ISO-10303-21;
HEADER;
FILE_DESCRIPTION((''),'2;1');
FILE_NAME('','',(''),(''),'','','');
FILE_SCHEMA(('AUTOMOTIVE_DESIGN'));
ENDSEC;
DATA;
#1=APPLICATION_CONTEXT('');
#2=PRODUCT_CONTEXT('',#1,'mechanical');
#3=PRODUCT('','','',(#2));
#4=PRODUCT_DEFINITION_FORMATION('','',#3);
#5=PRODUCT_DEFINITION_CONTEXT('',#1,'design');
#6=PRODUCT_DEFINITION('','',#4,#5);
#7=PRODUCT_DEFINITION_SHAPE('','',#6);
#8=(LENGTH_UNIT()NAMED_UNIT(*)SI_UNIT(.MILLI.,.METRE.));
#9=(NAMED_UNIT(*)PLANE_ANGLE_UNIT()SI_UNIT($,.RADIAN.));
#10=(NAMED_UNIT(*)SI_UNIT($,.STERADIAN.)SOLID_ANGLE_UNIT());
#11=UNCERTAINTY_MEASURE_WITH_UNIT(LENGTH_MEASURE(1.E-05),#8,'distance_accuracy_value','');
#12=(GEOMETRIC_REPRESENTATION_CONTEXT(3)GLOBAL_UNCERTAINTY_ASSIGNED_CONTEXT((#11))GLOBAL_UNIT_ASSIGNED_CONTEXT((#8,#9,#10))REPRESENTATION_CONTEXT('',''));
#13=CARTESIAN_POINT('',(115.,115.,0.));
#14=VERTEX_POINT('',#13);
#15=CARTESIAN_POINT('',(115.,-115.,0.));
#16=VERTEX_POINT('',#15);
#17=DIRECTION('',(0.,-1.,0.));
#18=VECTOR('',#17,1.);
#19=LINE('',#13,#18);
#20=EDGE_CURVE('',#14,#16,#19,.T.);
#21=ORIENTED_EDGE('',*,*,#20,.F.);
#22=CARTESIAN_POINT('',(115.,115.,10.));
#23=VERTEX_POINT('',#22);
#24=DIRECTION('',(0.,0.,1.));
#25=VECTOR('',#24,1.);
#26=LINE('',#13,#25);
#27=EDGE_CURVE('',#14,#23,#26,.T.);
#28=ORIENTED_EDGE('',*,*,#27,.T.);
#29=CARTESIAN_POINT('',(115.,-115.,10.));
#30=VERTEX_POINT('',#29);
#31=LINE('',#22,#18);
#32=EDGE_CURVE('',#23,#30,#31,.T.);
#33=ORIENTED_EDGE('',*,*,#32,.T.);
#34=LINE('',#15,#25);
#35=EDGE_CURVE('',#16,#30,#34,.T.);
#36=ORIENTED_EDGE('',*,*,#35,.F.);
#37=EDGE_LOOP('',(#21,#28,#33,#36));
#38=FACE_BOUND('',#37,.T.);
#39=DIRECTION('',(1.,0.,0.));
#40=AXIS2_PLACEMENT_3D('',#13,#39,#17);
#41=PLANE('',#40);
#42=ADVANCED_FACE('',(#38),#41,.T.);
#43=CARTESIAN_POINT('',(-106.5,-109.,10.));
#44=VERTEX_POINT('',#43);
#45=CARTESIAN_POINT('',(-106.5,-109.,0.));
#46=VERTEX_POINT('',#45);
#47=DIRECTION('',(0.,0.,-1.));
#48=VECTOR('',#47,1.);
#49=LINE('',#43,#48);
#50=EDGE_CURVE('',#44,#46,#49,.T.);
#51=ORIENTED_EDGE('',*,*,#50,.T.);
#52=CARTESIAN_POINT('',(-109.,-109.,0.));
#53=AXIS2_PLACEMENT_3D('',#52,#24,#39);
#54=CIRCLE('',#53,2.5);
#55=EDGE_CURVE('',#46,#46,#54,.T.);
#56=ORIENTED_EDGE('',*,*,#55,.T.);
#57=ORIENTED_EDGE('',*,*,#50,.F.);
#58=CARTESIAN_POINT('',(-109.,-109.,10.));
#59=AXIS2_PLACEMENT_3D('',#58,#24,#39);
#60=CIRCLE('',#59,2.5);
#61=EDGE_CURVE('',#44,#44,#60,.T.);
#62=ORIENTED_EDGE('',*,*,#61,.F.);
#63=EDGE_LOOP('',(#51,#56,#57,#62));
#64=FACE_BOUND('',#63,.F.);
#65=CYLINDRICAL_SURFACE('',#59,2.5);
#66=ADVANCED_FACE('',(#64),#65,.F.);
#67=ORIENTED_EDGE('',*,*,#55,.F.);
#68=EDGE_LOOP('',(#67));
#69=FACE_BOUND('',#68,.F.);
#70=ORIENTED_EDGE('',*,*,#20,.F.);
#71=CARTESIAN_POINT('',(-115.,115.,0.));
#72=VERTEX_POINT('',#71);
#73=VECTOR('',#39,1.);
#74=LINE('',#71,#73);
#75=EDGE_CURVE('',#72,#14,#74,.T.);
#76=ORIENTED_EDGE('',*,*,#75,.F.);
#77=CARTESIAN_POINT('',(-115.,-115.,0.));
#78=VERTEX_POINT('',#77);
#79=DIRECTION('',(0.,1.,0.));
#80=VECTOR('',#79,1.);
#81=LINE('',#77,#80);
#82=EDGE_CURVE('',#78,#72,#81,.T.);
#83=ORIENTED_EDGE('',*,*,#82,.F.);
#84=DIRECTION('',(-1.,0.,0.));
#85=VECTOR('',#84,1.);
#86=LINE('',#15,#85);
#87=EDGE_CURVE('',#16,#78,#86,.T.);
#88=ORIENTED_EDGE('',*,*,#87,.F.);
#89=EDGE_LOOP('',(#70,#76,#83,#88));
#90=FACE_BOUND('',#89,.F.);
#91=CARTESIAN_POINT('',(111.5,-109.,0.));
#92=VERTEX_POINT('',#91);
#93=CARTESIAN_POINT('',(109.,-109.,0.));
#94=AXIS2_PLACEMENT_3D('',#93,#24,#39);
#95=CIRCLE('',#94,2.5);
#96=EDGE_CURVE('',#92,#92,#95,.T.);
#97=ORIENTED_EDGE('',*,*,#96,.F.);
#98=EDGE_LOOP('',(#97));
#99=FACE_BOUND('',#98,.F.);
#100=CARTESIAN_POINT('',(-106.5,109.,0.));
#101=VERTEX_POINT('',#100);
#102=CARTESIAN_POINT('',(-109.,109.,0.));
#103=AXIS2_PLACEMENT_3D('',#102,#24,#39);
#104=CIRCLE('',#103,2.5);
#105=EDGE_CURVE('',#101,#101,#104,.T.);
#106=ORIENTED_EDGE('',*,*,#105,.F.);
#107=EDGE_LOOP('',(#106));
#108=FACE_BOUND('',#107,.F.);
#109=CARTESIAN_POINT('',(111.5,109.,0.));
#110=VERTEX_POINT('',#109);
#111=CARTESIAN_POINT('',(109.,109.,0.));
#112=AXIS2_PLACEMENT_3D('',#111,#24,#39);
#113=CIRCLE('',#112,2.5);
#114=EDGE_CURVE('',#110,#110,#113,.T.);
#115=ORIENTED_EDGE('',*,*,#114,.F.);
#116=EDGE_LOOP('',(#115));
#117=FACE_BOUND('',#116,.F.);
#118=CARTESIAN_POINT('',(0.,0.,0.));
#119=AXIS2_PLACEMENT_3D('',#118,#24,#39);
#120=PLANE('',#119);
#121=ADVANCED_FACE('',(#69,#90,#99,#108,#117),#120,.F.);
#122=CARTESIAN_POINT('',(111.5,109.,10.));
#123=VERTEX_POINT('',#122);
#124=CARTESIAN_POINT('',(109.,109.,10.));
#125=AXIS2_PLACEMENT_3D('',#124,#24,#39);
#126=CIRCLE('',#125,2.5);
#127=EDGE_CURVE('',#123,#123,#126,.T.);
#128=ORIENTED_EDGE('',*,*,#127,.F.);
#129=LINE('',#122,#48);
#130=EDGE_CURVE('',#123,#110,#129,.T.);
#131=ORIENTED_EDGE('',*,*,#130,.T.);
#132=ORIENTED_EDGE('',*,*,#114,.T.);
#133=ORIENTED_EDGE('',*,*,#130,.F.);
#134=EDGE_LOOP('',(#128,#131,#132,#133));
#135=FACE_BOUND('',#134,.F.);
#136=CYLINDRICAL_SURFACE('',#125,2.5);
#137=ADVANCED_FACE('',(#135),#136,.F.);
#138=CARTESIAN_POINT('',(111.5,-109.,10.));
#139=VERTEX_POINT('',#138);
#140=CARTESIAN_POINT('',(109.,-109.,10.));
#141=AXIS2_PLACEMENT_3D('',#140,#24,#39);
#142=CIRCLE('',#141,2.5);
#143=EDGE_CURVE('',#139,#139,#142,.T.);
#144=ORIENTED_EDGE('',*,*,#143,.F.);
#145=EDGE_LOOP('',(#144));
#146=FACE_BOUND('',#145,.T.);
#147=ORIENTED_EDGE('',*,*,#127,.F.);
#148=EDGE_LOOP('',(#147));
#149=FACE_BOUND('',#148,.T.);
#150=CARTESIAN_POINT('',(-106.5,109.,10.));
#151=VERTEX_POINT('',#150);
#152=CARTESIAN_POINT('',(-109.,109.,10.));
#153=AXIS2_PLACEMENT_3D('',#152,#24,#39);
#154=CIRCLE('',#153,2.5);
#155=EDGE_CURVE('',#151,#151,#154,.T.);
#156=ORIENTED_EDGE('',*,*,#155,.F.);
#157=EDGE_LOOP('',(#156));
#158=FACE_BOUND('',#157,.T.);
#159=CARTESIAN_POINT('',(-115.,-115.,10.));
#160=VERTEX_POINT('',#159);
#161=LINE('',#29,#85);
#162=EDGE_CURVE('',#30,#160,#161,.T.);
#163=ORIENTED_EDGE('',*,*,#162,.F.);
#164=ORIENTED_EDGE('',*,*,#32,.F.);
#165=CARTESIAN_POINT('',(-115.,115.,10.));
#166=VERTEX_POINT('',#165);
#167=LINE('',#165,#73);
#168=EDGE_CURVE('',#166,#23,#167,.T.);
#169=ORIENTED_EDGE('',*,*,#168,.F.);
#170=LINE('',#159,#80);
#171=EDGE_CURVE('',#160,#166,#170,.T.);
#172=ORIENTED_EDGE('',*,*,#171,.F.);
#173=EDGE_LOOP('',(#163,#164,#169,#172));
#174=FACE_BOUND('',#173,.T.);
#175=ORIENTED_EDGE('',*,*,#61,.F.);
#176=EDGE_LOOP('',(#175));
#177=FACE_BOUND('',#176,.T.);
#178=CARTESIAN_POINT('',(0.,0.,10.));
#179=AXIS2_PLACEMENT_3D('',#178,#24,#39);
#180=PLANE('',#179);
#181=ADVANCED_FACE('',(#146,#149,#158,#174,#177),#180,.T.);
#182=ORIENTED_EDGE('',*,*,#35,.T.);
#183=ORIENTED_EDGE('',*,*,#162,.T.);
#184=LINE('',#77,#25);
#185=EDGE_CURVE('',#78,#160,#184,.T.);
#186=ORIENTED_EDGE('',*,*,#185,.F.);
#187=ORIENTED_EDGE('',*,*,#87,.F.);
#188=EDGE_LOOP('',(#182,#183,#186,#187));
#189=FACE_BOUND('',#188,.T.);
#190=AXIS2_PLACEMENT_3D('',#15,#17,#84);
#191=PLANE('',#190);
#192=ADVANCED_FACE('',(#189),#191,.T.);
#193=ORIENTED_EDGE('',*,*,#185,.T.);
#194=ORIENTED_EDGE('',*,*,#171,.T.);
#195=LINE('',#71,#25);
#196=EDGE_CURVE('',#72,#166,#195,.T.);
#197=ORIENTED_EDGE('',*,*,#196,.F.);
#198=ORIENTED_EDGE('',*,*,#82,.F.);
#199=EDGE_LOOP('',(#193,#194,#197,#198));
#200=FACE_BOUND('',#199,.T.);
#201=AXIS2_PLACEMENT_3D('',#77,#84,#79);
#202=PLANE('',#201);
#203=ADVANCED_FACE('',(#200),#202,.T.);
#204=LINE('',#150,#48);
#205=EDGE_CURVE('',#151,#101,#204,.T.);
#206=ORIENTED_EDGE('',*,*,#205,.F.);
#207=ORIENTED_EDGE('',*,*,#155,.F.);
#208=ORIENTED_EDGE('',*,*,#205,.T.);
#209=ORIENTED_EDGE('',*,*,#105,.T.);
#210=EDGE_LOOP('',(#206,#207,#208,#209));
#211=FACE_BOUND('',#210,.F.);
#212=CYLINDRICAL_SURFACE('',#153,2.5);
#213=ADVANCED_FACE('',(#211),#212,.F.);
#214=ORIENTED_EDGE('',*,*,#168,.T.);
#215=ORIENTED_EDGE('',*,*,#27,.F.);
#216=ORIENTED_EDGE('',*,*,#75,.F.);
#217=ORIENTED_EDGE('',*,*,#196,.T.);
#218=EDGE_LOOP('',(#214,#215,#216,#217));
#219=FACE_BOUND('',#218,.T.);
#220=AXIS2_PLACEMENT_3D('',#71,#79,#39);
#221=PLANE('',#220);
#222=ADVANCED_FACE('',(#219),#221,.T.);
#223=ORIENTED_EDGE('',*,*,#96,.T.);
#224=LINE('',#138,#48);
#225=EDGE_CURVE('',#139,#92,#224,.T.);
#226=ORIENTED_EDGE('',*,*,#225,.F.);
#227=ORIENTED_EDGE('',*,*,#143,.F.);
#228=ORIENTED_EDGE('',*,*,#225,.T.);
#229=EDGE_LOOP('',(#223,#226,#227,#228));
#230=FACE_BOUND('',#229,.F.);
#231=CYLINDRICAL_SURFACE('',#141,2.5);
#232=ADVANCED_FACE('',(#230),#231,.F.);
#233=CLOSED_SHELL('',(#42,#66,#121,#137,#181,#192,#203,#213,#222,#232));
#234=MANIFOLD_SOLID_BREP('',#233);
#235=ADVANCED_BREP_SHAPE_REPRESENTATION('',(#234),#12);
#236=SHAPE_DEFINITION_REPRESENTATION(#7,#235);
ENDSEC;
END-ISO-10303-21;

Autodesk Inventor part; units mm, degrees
ref_plane "YZ Plane" through (0, 0, 0) normal (1, 0, 0) x (0, 1, 0)
ref_plane "XZ Plane" through (0, 0, 0) normal (0, 1, 0) x (-1, 0, 0)
ref_plane "XY Plane" through (0, 0, 0) normal (0, 0, 1) x (1, 0, 0)
sketch "Sketch1" plane through (0, 0, 0) normal (0, 0, 1) x (1, 0, 0)
  line L0 (-115, 115) -> (115, 115)
  line L1 (115, 115) -> (115, -115)
  line L2 (115, -115) -> (-115, -115)
  line L3 (-115, -115) -> (-115, 115)
  point P0 (0, 0)
  dimension "d0" = 230
  dimension "d1" = 230
  dimension "d2" = 115
  dimension "d3" = 115
extrude "Tykkelsen" add sketch "Sketch1" along normal blind 10
sketch "Sketch2" plane through (0, 0, 10) normal (0, 0, 1) x (1, 0, 0)
  line L0 (115, 115) -> (-115, 115) projected
  line L1 (-115, 115) -> (-115, -115) projected
  line L2 (-115, -115) -> (115, -115) projected
  line L3 (115, -115) -> (115, 115) projected
  circle A0 centre (109, -109) radius 2.5
  circle A1 centre (109, 109) radius 2.5
  circle A2 centre (-109, 109) radius 2.5
  circle A3 centre (-109, -109) radius 2.5
  point P0 (0, 0)
  dimension "d6" = 5
  dimension "d7" = 5
  dimension "d8" = 5
  dimension "d9" = 5
  dimension "d10" = 6
  dimension "d11" = 6
  dimension "d12" = 6
  dimension "d13" = 6
  dimension "d14" = 6
  dimension "d15" = 6
  dimension "d16" = 6
  dimension "d17" = 6
  dimension "d20" = 218
  dimension "d21" = 218
extrude "Monteringshuller" cut sketch "Sketch2" against normal blind 34.5 contours A0 | A1 | A2 | A3
equation "\"d2\" = 0.5 * d1"
equation "\"d3\" = 0.5 * d0"
equation "\"d6\" = d7"
equation "\"d8\" = d7"
equation "\"d9\" = d7"
equation "\"d11\" = d10"
equation "\"d13\" = d12"
equation "\"d14\" = d12"
equation "\"d15\" = d13"
equation "\"d16\" = d10"
equation "\"d17\" = d10"
properties part number "Byggeplade" material "Aluminum 6061"
